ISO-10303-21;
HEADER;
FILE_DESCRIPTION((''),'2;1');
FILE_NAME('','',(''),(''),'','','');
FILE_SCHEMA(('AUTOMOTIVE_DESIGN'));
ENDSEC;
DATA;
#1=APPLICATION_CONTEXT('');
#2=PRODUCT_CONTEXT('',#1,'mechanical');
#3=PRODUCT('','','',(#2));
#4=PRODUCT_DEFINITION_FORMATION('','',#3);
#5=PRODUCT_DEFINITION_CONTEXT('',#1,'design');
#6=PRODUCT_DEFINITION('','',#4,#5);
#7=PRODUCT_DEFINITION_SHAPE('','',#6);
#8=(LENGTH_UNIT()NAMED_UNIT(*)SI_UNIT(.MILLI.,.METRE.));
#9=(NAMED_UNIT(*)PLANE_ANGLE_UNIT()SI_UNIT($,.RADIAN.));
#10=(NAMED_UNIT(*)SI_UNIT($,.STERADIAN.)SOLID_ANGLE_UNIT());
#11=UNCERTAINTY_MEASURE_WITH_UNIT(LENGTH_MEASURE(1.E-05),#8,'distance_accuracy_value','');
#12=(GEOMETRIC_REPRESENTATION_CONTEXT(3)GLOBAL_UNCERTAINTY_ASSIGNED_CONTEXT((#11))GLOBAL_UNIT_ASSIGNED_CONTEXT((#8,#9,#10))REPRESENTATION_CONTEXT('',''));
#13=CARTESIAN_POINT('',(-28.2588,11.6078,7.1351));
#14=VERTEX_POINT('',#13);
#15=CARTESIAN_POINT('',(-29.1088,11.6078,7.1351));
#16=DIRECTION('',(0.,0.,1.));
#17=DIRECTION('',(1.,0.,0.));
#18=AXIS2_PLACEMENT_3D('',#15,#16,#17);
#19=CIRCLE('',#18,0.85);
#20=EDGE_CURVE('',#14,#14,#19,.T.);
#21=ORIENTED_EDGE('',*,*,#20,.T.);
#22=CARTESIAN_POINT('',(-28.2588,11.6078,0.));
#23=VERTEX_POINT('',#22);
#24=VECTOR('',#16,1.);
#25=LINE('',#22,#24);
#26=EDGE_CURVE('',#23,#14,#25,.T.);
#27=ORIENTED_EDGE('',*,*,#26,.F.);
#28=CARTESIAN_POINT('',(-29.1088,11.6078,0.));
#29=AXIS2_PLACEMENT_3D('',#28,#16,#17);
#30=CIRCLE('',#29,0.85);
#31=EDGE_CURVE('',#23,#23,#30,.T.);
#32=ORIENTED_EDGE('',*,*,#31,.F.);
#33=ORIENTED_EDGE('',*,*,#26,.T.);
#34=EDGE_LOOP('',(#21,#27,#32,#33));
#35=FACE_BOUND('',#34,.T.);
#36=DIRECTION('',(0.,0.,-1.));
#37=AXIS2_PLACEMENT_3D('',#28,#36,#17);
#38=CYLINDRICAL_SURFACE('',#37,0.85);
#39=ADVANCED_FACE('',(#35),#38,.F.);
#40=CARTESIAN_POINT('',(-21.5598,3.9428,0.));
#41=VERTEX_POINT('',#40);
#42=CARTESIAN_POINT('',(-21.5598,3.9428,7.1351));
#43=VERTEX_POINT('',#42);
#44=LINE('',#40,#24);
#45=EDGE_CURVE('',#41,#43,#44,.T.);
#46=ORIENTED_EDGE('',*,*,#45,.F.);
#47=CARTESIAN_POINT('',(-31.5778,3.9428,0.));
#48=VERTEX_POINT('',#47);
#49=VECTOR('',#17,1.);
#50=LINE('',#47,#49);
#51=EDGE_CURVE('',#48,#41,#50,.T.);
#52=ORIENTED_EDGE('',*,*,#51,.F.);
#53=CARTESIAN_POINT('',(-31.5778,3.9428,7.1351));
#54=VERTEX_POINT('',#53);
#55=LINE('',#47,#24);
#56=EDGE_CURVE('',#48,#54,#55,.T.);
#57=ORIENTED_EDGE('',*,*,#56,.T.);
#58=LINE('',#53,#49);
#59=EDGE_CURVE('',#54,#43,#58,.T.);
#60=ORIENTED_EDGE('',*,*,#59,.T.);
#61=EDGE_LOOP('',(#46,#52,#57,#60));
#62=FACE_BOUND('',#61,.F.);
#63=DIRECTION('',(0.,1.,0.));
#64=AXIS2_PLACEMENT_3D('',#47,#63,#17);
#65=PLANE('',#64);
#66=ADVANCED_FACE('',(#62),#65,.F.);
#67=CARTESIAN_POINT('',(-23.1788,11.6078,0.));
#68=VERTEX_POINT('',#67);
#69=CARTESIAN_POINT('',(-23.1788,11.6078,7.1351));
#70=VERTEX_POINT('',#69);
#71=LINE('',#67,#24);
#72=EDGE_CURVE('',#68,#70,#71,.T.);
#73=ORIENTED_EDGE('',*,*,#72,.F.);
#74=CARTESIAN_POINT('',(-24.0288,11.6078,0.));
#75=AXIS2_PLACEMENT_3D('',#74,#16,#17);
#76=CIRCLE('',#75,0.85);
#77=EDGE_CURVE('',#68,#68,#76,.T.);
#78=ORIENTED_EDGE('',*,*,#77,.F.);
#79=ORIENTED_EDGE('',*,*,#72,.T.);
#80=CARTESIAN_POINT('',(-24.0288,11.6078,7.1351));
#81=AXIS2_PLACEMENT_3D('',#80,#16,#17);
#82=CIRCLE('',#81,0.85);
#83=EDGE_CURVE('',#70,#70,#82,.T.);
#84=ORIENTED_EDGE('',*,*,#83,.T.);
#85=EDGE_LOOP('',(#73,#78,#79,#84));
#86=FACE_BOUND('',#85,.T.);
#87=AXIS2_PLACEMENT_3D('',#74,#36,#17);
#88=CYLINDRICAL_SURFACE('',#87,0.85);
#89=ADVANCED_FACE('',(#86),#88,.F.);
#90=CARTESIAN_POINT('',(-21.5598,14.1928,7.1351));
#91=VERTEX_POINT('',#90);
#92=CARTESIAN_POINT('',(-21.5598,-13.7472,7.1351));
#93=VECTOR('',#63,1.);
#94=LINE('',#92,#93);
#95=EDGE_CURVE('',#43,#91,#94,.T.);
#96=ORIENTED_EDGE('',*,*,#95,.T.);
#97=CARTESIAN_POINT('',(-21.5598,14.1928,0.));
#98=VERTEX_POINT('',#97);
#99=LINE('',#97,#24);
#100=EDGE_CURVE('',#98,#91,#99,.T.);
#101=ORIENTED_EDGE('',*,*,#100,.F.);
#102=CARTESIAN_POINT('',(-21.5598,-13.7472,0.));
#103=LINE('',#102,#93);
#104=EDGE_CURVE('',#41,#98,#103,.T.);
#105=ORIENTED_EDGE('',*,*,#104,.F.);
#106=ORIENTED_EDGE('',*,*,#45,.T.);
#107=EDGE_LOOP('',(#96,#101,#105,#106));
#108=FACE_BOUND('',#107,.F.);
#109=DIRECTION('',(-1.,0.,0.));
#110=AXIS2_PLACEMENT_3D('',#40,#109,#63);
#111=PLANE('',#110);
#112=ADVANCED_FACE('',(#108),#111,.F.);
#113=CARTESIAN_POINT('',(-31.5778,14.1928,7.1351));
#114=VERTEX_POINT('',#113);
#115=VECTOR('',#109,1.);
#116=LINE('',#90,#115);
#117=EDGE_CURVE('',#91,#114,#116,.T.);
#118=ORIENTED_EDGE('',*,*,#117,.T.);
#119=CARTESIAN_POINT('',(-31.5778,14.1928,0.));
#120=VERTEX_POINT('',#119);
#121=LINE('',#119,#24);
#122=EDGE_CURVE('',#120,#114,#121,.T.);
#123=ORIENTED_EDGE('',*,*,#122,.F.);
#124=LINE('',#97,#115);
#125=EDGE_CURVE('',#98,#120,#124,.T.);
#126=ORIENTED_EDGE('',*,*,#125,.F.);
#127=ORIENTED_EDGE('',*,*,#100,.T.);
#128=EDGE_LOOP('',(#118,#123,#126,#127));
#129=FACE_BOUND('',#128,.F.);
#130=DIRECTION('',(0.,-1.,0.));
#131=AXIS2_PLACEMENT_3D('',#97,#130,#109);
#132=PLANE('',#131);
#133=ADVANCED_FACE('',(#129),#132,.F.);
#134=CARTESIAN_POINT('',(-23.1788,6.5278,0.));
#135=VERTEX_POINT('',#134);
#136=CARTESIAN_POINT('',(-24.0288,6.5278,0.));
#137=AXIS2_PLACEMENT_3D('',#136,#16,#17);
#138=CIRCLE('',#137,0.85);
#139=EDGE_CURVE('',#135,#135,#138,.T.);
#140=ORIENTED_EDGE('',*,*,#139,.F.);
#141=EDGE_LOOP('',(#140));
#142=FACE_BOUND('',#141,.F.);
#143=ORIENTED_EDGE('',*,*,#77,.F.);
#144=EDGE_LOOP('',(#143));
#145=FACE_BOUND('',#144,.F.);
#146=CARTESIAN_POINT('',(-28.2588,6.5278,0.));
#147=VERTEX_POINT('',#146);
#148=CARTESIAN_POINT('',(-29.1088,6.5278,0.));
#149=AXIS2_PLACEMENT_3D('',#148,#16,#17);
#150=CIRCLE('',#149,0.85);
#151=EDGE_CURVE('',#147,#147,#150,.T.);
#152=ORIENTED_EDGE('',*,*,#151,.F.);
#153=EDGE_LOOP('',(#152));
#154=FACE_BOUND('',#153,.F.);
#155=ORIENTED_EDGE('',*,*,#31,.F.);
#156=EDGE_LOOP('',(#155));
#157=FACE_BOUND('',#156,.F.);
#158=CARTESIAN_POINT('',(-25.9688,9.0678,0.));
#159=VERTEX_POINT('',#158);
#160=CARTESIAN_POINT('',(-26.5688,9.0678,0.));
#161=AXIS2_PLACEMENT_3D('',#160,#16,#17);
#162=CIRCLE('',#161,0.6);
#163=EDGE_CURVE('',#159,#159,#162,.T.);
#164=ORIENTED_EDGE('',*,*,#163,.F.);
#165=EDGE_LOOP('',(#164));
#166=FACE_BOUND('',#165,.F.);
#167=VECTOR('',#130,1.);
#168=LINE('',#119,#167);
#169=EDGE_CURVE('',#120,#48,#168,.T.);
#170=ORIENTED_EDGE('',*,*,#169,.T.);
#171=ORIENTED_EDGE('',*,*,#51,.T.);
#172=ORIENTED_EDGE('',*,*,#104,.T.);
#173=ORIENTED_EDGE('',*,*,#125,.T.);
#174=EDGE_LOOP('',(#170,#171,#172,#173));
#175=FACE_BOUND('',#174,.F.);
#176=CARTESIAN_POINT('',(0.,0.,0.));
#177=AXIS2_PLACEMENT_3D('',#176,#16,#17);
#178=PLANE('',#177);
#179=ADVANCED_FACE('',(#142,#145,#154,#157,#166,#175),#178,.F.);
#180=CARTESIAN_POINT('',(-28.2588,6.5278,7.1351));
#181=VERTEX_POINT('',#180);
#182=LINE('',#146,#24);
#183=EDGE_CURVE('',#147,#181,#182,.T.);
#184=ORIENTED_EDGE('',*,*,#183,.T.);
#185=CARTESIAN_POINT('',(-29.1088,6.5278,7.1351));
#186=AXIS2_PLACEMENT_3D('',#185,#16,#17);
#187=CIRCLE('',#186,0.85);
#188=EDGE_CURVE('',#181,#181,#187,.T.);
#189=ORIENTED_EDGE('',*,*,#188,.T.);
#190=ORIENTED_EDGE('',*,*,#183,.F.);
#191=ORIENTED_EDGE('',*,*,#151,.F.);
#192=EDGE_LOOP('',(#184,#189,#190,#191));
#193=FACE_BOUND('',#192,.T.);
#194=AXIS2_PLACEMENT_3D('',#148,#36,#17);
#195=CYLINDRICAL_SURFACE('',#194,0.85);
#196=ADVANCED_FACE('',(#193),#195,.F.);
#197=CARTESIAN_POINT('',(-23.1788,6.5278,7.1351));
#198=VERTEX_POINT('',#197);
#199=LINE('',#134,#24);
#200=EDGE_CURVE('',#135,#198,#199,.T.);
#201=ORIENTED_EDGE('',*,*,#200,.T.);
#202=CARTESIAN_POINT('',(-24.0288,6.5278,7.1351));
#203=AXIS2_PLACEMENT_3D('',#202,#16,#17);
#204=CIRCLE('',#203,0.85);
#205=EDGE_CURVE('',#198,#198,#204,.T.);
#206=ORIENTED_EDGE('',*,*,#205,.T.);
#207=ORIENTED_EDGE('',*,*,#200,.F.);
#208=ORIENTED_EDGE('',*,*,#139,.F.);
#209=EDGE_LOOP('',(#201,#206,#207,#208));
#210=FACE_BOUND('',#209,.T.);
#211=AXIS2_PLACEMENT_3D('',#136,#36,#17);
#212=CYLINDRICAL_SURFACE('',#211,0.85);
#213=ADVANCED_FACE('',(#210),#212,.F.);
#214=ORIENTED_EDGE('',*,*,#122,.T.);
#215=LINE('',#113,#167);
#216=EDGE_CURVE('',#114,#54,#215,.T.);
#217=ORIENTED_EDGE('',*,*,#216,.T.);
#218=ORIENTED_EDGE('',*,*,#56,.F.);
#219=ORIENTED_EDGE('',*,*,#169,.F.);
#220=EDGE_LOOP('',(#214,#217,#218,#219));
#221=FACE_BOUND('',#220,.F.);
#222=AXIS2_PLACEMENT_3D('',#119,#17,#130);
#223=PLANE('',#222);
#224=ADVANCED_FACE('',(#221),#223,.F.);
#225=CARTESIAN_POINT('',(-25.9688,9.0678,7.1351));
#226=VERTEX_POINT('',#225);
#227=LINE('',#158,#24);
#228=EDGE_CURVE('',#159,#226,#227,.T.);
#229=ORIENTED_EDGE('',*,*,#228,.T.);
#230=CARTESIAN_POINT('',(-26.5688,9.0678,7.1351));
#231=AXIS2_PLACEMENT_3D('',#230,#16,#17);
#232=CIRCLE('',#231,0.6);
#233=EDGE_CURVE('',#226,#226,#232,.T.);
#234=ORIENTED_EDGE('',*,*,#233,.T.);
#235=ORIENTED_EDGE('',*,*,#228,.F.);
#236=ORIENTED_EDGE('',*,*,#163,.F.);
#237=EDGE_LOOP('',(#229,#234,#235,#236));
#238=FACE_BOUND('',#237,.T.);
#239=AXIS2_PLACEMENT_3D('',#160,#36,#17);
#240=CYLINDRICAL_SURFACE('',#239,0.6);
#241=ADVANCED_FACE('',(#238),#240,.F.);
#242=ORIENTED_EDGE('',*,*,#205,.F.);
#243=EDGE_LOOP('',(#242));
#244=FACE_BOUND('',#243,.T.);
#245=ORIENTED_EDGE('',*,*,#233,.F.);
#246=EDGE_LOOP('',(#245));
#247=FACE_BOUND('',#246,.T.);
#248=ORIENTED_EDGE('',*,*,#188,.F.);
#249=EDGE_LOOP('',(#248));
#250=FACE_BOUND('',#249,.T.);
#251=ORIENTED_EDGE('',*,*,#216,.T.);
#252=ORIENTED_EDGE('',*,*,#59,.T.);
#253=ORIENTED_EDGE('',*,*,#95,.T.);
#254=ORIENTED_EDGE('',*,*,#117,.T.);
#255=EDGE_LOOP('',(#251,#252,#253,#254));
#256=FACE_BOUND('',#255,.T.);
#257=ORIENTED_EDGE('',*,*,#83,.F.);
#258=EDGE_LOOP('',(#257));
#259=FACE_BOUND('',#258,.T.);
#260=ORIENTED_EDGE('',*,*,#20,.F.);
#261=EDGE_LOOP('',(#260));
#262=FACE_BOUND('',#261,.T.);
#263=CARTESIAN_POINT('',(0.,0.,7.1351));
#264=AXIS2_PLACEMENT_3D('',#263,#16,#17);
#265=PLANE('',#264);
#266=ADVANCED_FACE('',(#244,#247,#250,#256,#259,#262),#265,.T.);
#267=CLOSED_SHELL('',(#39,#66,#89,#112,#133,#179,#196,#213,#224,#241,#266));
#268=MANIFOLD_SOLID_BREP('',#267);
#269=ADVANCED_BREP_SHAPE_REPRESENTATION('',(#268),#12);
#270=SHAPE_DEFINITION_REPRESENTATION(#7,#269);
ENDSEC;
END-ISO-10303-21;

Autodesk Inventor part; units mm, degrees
ref_plane "YZ Plane" through (0, 0, 0) normal (1, 0, 0) x (0, 1, 0)
ref_plane "XZ Plane" through (0, 0, 0) normal (0, 1, 0) x (-1, 0, 0)
ref_plane "XY Plane" through (0, 0, 0) normal (0, 0, 1) x (1, 0, 0)
sketch "Sketch1" plane through (0, 0, 0) normal (0, 0, 1) x (1, 0, 0)
  line L0 (-21.5598, -13.7472) -> (-21.5598, 14.1928)
  line L1 (-21.5598, 14.1928) -> (-57.1198, 14.1928)
  line L2 (-21.5598, 14.1928) -> (-31.5778, 14.1928)
  line L3 (-31.5778, 14.1928) -> (-31.5778, 3.9428)
  line L4 (-31.5778, 3.9428) -> (-21.5598, 3.9428)
  line L5 (-21.5598, 3.9428) -> (-21.5598, 14.1928)
  circle A0 centre (-24.0288, 11.6078) radius 0.85
  circle A1 centre (-29.1088, 6.5278) radius 0.85
  circle A2 centre (-24.0288, 6.5278) radius 0.85
  circle A3 centre (-29.1088, 11.6078) radius 0.85
  circle A4 centre (-26.5688, 9.0678) radius 0.6
  point P0 (0, 0)
extrude "Extrusion1" add sketch "Sketch1" along normal blind 7.1351
equation "\"d1\" = d0"
equation "\"d3\" = d2"
equation "\"d0\" = 2.585"
equation "\"d2\" = 2.469"
properties part number "spacer1"
